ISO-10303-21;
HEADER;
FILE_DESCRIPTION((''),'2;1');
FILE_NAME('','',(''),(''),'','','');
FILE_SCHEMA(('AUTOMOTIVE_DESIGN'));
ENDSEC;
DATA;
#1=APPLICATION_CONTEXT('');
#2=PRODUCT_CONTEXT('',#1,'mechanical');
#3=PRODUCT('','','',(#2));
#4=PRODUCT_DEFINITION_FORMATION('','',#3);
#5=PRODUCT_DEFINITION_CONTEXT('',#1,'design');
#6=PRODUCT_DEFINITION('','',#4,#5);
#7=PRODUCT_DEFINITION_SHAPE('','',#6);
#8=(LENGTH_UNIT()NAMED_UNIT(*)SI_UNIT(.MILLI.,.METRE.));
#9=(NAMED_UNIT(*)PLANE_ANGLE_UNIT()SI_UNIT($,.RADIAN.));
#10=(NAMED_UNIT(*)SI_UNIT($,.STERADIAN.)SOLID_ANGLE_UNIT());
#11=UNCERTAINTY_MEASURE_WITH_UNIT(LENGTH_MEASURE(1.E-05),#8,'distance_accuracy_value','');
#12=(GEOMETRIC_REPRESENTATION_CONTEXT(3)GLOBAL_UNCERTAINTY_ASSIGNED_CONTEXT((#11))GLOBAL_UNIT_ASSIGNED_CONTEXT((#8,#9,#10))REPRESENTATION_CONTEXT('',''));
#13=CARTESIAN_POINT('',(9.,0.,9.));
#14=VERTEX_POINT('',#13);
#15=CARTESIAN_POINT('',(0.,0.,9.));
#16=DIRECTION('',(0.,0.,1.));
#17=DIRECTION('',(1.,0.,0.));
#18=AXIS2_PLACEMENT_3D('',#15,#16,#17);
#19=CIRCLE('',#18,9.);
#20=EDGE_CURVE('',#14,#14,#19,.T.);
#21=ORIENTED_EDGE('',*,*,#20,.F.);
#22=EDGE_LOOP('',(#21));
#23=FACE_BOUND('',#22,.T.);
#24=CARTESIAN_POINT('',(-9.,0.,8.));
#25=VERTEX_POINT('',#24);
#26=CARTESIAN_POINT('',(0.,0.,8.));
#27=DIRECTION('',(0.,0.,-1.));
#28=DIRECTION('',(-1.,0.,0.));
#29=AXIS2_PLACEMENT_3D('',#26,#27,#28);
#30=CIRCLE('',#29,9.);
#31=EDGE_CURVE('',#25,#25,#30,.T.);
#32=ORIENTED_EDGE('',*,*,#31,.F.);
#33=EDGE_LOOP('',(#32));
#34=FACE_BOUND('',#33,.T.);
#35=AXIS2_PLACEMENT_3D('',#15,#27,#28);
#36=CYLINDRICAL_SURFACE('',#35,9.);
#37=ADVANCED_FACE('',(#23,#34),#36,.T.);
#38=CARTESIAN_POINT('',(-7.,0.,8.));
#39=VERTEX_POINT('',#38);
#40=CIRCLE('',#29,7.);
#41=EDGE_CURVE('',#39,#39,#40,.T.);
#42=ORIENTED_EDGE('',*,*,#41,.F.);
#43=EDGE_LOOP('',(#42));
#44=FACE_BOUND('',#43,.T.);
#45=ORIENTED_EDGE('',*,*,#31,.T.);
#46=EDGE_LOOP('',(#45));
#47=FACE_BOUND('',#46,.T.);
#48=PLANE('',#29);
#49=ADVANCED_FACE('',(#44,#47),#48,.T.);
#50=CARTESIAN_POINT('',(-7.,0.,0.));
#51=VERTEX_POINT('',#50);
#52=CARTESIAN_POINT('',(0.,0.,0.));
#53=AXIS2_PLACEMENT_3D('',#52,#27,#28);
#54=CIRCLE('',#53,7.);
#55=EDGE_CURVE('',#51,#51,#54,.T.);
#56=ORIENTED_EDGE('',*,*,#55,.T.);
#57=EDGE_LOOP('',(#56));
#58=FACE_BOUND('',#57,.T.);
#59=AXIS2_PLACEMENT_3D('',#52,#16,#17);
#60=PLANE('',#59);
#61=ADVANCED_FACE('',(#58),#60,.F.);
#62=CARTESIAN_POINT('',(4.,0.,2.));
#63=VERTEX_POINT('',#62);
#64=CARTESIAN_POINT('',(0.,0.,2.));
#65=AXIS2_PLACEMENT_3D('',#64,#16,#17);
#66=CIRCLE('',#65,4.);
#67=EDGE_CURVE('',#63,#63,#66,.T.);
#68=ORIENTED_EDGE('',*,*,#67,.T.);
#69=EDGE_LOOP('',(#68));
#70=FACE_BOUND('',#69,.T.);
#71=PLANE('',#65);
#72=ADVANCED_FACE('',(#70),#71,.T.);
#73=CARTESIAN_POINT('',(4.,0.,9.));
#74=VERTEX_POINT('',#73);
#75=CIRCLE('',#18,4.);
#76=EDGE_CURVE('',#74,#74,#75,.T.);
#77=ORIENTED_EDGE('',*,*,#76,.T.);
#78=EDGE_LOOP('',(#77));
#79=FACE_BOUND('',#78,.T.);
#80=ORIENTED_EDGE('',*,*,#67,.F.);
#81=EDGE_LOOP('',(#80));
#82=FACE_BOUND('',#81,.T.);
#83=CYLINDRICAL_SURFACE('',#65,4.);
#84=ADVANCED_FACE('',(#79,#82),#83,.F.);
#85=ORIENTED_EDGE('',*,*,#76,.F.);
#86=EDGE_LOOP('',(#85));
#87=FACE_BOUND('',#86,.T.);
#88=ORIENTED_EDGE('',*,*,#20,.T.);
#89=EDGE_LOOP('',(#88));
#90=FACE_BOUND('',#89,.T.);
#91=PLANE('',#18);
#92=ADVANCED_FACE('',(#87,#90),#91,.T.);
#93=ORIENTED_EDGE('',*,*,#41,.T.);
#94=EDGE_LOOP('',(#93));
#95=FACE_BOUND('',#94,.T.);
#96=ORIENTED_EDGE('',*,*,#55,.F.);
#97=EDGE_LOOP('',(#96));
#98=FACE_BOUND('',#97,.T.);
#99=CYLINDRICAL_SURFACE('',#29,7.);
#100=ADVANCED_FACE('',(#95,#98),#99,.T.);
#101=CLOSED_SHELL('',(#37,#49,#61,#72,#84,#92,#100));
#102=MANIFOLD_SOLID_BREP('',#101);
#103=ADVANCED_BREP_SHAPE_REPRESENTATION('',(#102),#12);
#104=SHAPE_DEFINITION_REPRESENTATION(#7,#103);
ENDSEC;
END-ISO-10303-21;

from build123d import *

# Parameters (mm, degrees)
SKETCH2_R           = 9
BOSS_EXTRUDE1_DEPTH = 9
SKETCH3_R           = 4
CUT_EXTRUDE1_DEPTH  = 7
SKETCH4_R           = 9
SKETCH4_R_2         = 7
CUT_EXTRUDE2_DEPTH  = 8


with BuildPart() as part:
    # Sketch2 → Boss-Extrude1 (new body)
    with BuildSketch(Plane.XY):
        Circle(SKETCH2_R)
    extrude(amount=BOSS_EXTRUDE1_DEPTH)

    # Sketch3 → Cut-Extrude1 (cut)
    with BuildSketch(Plane.XY.offset(9)):
        Circle(SKETCH3_R)
    extrude(amount=-CUT_EXTRUDE1_DEPTH, mode=Mode.SUBTRACT)

    # Sketch4 → Cut-Extrude2 (cut)
    with BuildSketch(Plane(origin=(0, 0, 0), x_dir=(-1, 0, 0), z_dir=(0, 0, -1))):
        Circle(SKETCH4_R)
        Circle(SKETCH4_R_2, mode=Mode.SUBTRACT)
    extrude(amount=-CUT_EXTRUDE2_DEPTH, mode=Mode.SUBTRACT)


solid = part.part
